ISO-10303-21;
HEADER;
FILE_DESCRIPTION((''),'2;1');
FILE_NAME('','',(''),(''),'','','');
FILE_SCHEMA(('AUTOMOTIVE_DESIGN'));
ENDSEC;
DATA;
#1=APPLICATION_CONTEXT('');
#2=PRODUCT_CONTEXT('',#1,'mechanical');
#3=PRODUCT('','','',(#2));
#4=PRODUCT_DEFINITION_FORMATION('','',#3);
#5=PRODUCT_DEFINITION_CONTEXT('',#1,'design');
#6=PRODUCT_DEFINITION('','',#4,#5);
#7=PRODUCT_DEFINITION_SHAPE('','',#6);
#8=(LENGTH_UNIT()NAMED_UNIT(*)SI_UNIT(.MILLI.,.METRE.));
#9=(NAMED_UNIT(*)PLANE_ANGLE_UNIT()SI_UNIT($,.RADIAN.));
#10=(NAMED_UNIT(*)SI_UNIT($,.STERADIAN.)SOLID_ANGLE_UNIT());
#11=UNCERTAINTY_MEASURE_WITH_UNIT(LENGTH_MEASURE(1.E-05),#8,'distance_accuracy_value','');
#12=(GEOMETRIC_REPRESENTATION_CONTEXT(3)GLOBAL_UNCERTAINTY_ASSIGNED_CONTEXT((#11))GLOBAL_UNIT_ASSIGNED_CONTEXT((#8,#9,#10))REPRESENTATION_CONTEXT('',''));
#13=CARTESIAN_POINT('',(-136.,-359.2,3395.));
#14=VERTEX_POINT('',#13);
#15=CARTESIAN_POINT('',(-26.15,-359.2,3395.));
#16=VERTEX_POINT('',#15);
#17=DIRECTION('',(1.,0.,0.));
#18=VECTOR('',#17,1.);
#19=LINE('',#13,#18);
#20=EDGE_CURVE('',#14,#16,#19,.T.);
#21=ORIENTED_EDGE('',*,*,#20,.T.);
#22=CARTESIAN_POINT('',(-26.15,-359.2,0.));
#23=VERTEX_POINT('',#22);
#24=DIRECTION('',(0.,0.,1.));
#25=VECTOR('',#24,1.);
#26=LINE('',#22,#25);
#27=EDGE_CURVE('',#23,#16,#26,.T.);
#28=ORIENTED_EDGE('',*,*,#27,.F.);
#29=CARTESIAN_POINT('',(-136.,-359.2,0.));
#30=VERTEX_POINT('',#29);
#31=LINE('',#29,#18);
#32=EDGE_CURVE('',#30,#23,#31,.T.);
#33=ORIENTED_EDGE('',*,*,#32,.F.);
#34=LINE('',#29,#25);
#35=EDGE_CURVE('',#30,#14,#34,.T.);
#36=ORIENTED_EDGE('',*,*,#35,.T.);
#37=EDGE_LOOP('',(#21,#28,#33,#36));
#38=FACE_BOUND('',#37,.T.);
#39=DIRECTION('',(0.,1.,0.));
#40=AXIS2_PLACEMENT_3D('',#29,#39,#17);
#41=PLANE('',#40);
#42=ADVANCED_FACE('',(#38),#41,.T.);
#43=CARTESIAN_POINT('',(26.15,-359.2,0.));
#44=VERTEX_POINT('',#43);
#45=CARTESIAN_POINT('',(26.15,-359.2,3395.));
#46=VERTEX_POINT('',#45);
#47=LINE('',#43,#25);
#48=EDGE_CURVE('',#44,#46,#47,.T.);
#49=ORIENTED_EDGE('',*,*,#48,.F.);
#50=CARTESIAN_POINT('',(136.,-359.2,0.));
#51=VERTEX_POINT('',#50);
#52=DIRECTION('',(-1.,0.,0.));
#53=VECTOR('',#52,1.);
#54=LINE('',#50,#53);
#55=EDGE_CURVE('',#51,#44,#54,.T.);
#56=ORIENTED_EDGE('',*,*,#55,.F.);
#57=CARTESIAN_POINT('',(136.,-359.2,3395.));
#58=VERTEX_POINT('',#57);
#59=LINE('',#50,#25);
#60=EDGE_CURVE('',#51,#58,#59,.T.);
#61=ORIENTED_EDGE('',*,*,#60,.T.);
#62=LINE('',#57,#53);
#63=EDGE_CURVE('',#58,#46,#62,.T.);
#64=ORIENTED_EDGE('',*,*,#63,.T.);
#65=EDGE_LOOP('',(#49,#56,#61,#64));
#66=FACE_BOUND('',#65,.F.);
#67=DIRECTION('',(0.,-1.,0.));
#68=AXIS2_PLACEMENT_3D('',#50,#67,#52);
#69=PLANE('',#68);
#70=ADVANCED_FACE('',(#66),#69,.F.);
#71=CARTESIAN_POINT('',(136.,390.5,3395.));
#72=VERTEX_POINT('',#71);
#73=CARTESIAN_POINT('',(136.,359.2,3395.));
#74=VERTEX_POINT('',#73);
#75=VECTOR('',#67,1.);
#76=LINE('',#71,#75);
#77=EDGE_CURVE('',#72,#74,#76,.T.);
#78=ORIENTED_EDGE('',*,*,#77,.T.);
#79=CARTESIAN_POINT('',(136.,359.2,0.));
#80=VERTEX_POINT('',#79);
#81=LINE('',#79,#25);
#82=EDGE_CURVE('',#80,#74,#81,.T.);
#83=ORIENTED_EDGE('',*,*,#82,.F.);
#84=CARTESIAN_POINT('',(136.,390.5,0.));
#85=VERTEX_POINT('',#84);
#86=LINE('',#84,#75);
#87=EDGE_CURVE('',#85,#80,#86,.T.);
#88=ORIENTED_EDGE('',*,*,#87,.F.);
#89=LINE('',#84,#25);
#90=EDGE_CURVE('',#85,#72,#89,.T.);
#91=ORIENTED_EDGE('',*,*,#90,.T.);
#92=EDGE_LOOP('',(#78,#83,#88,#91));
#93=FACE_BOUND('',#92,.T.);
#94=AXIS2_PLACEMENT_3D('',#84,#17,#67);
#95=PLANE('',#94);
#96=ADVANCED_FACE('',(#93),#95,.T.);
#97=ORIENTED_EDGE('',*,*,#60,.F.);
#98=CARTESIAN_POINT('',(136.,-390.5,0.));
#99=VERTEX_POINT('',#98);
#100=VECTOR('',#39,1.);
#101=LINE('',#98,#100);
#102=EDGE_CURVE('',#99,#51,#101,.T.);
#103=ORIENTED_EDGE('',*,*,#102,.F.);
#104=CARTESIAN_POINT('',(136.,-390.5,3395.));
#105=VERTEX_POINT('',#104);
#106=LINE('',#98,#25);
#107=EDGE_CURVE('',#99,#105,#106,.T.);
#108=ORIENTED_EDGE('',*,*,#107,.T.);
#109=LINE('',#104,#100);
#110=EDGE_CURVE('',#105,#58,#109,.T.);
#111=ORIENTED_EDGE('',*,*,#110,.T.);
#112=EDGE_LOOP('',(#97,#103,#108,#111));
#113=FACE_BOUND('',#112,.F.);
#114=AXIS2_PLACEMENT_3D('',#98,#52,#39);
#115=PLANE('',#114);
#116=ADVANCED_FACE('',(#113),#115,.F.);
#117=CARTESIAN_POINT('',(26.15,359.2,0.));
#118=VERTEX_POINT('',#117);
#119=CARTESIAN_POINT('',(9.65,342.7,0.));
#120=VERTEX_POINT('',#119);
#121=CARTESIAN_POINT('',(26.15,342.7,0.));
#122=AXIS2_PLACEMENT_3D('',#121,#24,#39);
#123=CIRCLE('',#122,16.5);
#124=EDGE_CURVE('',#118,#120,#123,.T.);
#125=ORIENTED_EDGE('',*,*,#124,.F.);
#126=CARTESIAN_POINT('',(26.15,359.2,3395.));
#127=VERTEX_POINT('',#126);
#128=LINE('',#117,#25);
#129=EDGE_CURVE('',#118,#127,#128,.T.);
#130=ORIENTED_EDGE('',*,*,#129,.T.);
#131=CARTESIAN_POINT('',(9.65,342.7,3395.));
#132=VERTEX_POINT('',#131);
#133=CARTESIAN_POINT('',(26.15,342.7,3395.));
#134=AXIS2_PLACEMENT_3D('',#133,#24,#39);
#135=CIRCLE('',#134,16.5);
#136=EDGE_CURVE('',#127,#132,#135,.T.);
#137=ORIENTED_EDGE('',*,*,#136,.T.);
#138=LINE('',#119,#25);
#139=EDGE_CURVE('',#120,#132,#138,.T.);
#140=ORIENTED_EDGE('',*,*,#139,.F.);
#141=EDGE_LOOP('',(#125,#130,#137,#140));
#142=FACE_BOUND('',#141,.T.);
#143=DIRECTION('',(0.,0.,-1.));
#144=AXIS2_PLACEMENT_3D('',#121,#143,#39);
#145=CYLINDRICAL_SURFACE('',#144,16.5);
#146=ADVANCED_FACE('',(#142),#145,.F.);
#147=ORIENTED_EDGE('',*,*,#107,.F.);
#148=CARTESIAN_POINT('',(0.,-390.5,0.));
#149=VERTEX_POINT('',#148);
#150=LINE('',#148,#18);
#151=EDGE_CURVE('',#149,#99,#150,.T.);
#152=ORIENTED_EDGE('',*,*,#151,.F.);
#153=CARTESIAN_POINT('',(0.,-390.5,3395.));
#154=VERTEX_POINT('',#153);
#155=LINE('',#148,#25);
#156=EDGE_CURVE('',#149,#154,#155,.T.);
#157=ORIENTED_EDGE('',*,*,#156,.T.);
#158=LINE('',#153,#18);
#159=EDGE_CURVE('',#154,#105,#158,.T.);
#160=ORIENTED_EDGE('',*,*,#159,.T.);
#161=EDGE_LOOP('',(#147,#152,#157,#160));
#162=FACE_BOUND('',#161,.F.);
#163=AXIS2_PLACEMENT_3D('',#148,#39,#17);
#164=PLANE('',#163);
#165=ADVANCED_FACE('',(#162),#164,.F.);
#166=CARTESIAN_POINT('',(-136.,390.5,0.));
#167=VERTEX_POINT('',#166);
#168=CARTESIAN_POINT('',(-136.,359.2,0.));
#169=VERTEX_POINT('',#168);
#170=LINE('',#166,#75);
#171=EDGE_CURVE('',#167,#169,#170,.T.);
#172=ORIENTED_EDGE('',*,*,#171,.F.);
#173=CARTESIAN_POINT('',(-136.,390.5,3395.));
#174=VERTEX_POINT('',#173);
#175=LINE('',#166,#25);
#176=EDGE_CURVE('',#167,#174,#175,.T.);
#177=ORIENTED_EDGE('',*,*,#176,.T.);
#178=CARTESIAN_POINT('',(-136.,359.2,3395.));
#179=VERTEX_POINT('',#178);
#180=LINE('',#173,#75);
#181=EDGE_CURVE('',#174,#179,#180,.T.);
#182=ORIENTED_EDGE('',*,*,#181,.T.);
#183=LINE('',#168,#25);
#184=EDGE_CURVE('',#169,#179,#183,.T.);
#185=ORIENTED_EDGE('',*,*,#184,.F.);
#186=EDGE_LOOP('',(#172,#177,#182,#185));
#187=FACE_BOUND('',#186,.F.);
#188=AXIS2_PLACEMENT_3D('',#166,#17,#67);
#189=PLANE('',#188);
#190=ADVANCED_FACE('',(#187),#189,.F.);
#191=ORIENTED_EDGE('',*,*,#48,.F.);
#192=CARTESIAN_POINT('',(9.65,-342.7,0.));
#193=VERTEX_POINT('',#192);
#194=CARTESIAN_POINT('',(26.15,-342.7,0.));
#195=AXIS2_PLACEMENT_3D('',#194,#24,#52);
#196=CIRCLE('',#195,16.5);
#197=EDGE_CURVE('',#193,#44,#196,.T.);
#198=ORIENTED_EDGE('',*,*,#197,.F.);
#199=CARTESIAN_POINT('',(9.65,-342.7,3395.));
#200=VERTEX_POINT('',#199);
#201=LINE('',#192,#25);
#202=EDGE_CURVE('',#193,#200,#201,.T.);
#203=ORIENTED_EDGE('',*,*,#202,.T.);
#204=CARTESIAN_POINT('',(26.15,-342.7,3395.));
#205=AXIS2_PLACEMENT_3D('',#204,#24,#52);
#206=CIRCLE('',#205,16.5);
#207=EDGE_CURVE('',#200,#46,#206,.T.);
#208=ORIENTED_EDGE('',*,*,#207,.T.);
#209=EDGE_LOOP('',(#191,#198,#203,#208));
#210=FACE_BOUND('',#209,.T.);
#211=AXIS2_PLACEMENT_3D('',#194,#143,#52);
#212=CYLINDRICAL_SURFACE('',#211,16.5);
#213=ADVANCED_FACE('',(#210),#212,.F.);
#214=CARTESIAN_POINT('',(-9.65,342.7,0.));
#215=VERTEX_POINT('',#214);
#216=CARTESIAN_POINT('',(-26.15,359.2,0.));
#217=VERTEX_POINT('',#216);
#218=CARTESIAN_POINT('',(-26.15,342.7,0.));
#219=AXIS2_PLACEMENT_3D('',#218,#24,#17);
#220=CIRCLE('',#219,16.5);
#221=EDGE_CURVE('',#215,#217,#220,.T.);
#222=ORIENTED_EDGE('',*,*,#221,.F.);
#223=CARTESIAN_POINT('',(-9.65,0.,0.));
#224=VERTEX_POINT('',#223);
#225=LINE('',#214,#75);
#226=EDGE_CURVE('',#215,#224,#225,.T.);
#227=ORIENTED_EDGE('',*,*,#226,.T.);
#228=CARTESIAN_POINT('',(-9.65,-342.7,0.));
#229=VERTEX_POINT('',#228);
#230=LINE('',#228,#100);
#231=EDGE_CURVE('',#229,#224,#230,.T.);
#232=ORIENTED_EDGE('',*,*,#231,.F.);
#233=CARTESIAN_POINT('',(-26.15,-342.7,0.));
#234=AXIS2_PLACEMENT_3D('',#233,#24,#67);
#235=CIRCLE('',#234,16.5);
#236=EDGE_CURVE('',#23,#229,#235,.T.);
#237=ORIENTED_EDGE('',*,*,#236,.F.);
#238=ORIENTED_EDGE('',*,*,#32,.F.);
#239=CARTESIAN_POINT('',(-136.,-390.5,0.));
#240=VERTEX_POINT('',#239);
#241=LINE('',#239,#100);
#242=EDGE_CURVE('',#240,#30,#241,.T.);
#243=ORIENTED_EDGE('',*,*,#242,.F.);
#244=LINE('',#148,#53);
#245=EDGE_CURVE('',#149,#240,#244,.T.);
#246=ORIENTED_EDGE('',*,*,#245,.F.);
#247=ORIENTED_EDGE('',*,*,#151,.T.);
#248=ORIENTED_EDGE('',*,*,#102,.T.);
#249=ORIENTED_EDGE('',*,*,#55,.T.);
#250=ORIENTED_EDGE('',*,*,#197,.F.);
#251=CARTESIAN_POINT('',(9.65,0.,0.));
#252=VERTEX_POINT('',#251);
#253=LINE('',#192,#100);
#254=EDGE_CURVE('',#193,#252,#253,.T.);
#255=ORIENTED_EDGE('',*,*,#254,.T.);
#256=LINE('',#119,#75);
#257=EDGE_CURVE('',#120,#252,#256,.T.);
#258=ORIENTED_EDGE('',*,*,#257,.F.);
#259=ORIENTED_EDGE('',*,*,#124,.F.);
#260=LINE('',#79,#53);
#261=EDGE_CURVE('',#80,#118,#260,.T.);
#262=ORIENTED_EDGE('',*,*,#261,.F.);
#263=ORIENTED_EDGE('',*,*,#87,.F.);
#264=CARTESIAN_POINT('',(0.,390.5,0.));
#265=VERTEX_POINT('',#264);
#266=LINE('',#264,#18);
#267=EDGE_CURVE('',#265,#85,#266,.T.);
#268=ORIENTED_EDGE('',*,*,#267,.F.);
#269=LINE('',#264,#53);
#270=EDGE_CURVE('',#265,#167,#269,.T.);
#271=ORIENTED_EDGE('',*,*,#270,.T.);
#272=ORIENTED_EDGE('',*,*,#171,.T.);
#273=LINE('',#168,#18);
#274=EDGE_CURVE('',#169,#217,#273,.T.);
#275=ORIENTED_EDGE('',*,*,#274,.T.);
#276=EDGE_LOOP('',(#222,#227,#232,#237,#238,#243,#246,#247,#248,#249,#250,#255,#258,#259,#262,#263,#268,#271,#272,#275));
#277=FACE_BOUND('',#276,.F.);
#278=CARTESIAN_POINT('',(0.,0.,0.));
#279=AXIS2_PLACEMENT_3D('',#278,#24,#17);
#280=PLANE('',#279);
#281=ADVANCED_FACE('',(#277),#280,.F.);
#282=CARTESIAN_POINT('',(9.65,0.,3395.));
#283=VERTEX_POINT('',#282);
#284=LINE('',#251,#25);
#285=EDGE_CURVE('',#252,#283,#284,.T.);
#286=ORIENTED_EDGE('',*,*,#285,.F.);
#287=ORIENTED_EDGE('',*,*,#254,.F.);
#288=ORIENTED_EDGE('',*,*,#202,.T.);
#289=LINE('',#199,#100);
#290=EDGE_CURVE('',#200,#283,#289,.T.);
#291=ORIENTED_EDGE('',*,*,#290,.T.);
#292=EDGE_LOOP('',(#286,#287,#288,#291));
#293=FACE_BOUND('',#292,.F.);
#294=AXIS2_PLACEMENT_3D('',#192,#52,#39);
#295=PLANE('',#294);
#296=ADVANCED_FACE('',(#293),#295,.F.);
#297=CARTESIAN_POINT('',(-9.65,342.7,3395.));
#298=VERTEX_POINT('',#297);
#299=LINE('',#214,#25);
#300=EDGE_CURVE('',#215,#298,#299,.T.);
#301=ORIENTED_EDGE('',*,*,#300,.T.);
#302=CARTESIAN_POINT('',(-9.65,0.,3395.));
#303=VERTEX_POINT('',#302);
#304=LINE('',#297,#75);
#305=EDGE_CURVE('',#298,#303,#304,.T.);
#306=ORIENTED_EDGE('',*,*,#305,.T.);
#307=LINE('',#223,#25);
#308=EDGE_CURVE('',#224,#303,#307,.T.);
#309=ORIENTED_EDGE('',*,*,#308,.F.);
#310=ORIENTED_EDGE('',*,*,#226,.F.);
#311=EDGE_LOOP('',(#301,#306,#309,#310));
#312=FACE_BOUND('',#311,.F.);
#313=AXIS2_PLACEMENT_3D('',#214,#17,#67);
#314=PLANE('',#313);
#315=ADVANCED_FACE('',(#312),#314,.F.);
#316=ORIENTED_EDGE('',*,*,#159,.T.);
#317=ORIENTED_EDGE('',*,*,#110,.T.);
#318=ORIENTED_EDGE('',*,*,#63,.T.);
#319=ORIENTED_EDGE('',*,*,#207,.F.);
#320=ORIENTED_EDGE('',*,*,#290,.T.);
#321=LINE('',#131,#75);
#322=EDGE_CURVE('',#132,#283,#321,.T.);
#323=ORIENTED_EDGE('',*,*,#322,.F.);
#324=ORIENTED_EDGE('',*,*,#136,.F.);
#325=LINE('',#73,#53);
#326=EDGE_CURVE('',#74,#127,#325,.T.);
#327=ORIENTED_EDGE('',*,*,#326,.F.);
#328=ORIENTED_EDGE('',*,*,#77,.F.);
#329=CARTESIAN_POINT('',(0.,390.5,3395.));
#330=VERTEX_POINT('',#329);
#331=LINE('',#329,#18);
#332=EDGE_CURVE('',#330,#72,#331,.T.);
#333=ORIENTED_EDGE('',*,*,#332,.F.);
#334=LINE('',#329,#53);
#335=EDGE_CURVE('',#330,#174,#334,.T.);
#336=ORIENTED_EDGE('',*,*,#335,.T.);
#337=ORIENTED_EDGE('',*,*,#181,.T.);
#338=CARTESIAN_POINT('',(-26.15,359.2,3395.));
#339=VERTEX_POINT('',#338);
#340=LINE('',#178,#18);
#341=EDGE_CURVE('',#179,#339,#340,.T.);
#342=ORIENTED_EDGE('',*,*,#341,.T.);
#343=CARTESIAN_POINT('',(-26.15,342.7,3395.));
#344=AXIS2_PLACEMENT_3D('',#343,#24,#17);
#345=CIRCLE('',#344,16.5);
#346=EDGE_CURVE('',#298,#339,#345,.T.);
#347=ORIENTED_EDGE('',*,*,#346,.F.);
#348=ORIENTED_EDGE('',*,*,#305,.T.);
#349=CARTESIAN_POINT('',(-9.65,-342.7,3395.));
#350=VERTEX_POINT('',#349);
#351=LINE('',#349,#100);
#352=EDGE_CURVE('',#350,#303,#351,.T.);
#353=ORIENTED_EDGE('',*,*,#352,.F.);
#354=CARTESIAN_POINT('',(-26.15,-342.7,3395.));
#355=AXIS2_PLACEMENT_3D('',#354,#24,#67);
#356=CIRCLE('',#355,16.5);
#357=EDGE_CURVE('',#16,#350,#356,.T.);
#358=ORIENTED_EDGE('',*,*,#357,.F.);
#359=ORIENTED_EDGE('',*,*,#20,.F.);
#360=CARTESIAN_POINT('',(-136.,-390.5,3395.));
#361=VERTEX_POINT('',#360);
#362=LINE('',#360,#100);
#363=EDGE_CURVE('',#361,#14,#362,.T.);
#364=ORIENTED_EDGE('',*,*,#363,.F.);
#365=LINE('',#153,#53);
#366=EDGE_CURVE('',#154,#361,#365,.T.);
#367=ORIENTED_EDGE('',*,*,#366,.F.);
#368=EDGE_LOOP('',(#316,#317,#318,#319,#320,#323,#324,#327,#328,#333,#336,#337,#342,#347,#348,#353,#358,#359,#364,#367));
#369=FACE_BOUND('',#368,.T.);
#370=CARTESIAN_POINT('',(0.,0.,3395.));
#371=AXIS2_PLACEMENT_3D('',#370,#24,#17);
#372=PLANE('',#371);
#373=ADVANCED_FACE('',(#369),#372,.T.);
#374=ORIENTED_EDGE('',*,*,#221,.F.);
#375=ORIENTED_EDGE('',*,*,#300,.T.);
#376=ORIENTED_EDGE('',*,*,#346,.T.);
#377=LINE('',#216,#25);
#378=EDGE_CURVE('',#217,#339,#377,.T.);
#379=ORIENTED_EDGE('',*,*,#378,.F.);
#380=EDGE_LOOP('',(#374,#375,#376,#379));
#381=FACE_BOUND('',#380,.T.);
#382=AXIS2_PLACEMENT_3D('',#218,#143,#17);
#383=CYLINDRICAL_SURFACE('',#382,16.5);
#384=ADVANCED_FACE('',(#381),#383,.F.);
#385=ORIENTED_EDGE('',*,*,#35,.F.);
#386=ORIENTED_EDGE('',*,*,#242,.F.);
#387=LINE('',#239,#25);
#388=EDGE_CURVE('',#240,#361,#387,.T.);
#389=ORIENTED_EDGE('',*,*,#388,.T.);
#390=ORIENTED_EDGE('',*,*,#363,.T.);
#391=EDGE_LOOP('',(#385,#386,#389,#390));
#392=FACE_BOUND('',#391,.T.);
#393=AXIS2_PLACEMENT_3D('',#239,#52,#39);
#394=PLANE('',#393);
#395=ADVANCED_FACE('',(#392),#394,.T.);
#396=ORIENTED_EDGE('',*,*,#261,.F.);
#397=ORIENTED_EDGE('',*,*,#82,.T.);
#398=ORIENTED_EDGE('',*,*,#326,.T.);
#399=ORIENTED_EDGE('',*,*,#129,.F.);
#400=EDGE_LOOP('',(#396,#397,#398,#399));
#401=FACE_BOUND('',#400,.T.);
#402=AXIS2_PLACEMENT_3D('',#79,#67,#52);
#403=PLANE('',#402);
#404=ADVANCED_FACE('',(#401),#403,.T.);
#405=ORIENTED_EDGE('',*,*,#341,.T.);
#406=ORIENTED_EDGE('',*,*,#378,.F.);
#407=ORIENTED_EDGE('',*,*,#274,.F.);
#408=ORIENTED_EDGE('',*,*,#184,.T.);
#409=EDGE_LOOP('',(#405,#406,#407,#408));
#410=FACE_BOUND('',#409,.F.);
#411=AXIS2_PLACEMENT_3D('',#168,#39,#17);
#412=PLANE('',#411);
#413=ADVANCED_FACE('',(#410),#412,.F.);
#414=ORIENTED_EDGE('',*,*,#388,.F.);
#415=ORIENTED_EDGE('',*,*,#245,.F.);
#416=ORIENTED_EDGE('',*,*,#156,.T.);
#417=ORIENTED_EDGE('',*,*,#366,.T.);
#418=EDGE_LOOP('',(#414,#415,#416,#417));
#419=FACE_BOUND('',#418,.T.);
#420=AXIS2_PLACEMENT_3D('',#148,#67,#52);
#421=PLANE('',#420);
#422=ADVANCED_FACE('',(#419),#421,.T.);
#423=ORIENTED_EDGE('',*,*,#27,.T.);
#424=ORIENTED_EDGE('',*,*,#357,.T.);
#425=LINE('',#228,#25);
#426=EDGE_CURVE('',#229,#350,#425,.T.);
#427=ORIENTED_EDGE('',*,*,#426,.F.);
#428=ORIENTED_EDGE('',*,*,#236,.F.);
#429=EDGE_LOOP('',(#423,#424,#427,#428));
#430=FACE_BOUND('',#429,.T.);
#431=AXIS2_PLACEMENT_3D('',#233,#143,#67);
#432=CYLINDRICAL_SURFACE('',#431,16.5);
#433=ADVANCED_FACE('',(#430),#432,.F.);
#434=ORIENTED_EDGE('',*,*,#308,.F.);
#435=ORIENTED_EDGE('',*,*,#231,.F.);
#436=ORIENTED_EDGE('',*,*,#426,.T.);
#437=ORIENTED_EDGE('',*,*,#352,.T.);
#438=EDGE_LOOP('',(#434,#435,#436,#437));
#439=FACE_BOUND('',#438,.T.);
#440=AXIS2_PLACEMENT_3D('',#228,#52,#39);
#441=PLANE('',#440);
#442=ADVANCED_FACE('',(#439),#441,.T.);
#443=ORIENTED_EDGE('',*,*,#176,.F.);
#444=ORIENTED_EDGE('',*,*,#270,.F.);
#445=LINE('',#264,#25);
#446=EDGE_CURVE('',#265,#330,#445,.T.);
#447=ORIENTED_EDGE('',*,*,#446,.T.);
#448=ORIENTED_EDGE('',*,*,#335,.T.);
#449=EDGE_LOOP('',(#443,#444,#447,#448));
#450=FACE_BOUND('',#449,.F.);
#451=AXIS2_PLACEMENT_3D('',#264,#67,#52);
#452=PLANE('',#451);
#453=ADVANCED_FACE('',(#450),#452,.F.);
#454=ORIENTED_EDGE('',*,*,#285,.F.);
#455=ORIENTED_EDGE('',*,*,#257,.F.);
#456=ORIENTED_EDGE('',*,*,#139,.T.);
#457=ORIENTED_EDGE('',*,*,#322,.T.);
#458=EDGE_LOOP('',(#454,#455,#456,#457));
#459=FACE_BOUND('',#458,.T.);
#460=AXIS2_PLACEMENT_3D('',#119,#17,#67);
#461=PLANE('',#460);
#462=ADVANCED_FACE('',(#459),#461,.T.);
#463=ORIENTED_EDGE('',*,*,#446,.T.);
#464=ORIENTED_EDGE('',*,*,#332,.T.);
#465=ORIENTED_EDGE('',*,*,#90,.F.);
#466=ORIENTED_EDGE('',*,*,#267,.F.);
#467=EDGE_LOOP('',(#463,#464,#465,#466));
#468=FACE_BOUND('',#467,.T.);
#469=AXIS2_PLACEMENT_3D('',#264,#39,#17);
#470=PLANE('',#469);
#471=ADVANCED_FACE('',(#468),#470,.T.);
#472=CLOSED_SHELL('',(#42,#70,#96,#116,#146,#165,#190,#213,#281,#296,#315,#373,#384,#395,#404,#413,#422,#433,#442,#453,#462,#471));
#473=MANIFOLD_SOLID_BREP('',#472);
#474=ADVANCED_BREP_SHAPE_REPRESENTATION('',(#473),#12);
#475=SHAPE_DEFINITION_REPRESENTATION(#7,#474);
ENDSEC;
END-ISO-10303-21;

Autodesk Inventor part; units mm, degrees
ref_plane "YZ Plane" through (0, 0, 0) normal (1, 0, 0) x (0, 1, 0)
ref_plane "Start plane" through (0, 0, 0) normal (0, 0, 1) x (1, 0, 0)
ref_plane "End plane" through (0, 0, 3395) normal (0, 0, 1) x (1, 0, 0)
sketch "Sketch" plane through (0, 0, 0) normal (0, 0, 1) x (1, 0, 0)
  line L0 (-136, -390.5) -> (-136, -359.2)
  line L1 (-136, -359.2) -> (-26.15, -359.2)
  line L2 (-9.65, -342.7) -> (-9.65, 0)
  line L3 (-9.65, 0) -> (0, 0) construction
  line L4 (0, 0) -> (0, -390.5) construction
  line L5 (0, -390.5) -> (-136, -390.5)
  line L6 (-60, 0) -> (80, 0) construction
  line L7 (0, -60) -> (0, 80) construction
  line L8 (136, -390.5) -> (136, -359.2)
  line L9 (136, -359.2) -> (26.15, -359.2)
  line L10 (9.65, -342.7) -> (9.65, 0)
  line L11 (9.65, 0) -> (0, 0) construction
  line L12 (0, -390.5) -> (136, -390.5)
  line L13 (-136, 390.5) -> (-136, 359.2)
  line L14 (-136, 359.2) -> (-26.15, 359.2)
  line L15 (-9.65, 342.7) -> (-9.65, 0)
  line L16 (0, 390.5) -> (-136, 390.5)
  line L17 (136, 390.5) -> (136, 359.2)
  line L18 (136, 359.2) -> (26.15, 359.2)
  line L19 (0, 390.5) -> (136, 390.5)
  line L20 (9.65, 342.7) -> (9.65, 0)
  arc A0 (-9.65, 342.7) -> (-26.15, 359.2) centre (-26.15, 342.7) ccw
  arc A1 (26.15, 359.2) -> (9.65, 342.7) centre (26.15, 342.7) ccw
  arc A2 (9.65, -342.7) -> (26.15, -359.2) centre (26.15, -342.7) ccw
  arc A3 (-26.15, -359.2) -> (-9.65, -342.7) centre (-26.15, -342.7) ccw
  line L21 (0, 108) -> (0, -88) construction
  line L22 (-88, 0) -> (108, 0) construction
  point P0 (-9.65, -359.2)
  point P1 (9.65, -359.2)
  point P2 (-9.65, 359.2)
  point P3 (9.65, 359.2)
  dimension "d1" = 390.5
  dimension "d2" = 31.3
  dimension "d3" = 136
  dimension "d4" = 9.65
  dimension "d10" = 16.5
extrude "Body" add sketch "Sketch" along normal up to surface (3395 mm away) from surface at 0
sketch "Sketch4" plane through (0, 0, 0) normal (0, 0, 1) x (1, 0, 0)
  line L0 (0, 0) -> (10, 0)
ref_plane "Work Plane3" through (0, 0, 0) normal (0, -1, 0) x (1, 0, 0)
sketch "Sketch5" plane through (0, 0, 0) normal (0, -1, 0) x (1, 0, 0)
  line L0 (-2, 0) -> (12, 0) projected
  line L1 (-2, 3395) -> (12, 3395) projected
  dimension "d14" = 3395
equation "\"d1\" = 0.5 * G_H"
equation "\"d2\" = G_T1"
equation "\"d3\" = 0.5 * G_W"
equation "\"d4\" = 0.5 * G_T"
equation "\"d10\" = G_IR"
equation "\"d5\" = G_L"
equation "\"G_W\" = 272"
equation "\"G_H\" = 781"
equation "\"G_T\" = 19.3"
equation "\"G_T1\" = 31.3"
equation "\"G_IR\" = 16.5"
equation "\"G_L\" = d14"
equation "\"G_OFFSET_START\" = 0"
equation "\"G_OFFSET_END\" = 0"
equation "\"d12\" = G_OFFSET_END + B_L"
equation "\"B_L\" = 3395"
properties part number "AS 3679-1990 - 760 UB - 244 - 3395" material "Steel, Mild"
